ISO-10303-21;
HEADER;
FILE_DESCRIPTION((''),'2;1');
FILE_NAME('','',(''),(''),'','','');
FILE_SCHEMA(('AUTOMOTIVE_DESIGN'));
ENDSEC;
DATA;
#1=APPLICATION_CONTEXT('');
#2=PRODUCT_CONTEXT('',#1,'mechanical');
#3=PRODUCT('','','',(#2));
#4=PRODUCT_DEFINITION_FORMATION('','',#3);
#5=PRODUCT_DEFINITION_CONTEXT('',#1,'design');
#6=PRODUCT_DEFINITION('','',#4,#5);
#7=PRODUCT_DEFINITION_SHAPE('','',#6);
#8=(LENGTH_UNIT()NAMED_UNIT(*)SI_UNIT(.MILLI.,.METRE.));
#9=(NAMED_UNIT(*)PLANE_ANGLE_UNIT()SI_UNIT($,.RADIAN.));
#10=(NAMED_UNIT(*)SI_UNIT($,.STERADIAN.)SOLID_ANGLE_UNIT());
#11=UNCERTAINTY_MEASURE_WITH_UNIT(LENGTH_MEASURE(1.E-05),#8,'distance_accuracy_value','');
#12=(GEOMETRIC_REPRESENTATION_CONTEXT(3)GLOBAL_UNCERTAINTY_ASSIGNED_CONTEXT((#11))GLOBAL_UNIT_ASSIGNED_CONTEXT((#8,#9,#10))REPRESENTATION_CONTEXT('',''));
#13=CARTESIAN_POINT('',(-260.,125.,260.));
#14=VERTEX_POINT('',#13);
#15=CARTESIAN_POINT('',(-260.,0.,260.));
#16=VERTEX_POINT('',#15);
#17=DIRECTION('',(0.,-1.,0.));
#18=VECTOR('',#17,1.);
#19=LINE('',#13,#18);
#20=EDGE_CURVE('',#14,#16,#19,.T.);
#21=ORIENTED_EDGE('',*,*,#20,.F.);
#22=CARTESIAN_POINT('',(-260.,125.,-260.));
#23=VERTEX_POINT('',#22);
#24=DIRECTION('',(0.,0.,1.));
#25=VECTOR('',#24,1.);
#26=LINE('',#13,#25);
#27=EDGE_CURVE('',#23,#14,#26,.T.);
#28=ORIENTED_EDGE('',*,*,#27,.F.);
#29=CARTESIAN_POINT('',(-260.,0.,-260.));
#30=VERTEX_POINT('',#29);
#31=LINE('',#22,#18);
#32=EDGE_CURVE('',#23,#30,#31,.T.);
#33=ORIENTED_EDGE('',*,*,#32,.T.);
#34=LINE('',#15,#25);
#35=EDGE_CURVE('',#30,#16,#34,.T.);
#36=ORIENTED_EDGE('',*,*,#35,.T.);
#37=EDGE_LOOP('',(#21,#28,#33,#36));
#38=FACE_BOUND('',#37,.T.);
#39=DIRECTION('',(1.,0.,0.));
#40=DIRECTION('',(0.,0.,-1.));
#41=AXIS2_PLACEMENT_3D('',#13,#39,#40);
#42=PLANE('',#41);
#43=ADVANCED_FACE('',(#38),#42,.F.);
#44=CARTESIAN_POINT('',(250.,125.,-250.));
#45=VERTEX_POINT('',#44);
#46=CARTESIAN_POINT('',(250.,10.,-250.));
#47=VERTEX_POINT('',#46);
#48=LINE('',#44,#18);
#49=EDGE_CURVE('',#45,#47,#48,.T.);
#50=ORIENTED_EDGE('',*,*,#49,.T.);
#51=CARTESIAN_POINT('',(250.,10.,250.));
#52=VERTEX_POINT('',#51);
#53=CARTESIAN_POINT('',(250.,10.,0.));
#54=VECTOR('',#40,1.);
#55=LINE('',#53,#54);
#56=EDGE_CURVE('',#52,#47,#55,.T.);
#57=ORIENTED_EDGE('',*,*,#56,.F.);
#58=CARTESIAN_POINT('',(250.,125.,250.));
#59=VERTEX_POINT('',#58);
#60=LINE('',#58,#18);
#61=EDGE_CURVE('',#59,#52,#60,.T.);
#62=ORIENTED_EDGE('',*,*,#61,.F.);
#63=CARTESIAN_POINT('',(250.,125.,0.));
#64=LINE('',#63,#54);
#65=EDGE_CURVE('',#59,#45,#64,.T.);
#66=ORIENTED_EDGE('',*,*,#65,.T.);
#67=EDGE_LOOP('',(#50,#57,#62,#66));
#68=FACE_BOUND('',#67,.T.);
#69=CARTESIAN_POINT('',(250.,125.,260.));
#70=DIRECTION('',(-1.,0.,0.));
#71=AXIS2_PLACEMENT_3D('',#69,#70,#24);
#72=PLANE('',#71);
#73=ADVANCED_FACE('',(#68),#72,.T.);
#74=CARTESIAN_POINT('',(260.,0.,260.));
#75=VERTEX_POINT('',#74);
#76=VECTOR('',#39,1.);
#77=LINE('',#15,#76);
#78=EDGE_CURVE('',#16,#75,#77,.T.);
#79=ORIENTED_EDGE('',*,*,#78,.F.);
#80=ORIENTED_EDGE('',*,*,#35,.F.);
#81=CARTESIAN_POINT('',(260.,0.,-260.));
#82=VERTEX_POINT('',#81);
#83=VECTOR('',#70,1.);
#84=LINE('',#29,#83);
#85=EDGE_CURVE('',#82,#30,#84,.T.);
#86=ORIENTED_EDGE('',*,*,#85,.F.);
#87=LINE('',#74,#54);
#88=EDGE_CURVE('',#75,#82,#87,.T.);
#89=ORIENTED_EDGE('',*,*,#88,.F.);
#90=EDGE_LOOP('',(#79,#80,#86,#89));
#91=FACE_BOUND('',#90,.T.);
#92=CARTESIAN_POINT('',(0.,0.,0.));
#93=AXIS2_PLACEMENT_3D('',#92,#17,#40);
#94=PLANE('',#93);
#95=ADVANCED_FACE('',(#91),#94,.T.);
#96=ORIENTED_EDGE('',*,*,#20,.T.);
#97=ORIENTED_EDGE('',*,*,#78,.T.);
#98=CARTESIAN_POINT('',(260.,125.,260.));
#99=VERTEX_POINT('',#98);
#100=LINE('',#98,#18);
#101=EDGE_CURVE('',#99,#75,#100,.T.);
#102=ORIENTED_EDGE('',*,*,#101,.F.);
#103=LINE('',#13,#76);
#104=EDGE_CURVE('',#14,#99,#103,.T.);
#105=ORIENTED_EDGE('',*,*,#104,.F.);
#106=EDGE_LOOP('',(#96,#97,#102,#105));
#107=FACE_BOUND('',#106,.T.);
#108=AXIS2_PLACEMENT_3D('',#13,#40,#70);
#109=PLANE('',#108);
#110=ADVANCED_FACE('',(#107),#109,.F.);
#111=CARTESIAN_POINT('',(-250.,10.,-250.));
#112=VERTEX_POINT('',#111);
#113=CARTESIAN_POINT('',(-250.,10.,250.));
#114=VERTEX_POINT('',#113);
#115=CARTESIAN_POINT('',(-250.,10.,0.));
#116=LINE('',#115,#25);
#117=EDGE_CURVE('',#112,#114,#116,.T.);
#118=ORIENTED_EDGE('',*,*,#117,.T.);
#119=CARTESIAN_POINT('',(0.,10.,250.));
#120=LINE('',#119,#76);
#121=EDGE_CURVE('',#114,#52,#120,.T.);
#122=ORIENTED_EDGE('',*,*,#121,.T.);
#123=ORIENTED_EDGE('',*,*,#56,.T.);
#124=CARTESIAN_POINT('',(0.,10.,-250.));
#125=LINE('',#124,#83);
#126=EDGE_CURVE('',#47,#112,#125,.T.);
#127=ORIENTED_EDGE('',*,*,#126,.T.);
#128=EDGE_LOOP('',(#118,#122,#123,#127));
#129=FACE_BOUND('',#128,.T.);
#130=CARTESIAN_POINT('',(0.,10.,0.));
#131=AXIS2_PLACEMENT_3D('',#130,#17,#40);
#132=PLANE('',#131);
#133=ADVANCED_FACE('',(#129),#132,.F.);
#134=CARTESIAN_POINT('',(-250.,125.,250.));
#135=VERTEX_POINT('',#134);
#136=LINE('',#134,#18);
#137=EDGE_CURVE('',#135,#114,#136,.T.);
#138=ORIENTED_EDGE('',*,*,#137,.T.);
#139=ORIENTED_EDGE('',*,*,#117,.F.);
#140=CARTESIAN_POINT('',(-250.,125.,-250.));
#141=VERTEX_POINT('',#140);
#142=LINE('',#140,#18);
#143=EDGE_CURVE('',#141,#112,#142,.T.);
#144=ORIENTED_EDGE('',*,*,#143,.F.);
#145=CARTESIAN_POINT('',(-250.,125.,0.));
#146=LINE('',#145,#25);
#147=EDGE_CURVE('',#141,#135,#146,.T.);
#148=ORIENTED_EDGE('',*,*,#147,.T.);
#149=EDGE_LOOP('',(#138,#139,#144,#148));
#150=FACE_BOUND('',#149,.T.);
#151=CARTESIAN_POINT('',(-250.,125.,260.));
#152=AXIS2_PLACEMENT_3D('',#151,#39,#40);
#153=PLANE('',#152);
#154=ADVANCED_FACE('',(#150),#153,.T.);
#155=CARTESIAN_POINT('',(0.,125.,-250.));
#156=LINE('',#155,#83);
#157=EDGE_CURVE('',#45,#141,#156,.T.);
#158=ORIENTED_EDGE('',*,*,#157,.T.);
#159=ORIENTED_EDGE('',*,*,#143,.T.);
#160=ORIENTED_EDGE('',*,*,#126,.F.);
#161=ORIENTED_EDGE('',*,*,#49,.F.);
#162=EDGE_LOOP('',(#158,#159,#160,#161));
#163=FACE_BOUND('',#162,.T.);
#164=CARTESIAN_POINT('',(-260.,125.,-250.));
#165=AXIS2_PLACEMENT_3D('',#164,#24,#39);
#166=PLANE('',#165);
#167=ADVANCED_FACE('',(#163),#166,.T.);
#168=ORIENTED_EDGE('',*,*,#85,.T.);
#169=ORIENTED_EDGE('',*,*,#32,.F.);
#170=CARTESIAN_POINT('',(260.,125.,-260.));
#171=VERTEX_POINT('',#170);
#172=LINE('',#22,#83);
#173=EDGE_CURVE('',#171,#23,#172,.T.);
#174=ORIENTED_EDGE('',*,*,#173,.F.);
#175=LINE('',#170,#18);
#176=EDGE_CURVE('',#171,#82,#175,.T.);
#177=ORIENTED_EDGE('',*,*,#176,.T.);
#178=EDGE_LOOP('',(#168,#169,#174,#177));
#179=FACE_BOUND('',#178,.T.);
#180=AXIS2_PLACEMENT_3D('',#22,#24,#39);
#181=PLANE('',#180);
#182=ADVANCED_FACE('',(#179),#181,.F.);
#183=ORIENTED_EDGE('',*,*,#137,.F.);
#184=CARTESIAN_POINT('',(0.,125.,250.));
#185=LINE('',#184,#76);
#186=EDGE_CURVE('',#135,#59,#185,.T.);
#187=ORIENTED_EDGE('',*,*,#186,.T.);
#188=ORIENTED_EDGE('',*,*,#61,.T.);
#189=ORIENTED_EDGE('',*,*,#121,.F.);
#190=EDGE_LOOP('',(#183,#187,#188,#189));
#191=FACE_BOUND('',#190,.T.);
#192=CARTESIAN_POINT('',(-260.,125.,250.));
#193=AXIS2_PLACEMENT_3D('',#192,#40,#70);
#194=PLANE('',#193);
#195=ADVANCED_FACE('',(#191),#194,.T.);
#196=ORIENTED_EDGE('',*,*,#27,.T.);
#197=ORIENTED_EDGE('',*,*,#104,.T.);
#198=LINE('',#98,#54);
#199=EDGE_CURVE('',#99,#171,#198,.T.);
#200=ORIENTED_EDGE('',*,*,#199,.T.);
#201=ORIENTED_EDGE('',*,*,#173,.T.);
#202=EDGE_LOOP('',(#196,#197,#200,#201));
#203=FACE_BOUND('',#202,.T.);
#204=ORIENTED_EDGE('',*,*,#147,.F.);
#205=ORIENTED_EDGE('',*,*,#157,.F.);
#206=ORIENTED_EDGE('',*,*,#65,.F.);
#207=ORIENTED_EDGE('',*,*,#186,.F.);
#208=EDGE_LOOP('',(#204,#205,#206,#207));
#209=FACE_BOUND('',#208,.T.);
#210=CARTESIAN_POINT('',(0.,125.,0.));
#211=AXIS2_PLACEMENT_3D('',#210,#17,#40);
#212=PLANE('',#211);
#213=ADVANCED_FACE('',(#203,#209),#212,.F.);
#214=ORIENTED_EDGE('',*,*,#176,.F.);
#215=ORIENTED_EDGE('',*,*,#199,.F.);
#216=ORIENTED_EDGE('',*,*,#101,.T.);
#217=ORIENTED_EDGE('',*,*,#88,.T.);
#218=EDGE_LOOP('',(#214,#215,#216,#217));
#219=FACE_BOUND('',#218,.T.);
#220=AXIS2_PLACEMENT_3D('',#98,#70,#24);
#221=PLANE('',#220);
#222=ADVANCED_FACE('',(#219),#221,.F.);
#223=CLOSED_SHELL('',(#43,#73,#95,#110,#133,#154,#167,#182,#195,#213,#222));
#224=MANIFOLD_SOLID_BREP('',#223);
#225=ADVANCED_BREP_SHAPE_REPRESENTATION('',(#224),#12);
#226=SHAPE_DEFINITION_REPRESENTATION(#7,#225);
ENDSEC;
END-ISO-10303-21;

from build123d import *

# Parameters (mm, degrees)
SKETCH1_W           = 520
SKETCH1_H           = 520
BOSS_EXTRUDE1_DEPTH = 125
SHELL1_T            = -10


with BuildPart() as part:
    # Sketch1 → Boss-Extrude1 (new body)
    with BuildSketch(Plane(origin=(0, 0, 0), x_dir=(1, 0, 0), z_dir=(0, 1, 0))):
        Rectangle(SKETCH1_W, SKETCH1_H)
    extrude(amount=BOSS_EXTRUDE1_DEPTH)

    # Shell1
    shell1_openings = [part.faces().sort_by_distance(p)[0] for p in [
        (0, 125, 0),
    ]]
    offset(amount=SHELL1_T, openings=shell1_openings, kind=Kind.INTERSECTION)


solid = part.part
